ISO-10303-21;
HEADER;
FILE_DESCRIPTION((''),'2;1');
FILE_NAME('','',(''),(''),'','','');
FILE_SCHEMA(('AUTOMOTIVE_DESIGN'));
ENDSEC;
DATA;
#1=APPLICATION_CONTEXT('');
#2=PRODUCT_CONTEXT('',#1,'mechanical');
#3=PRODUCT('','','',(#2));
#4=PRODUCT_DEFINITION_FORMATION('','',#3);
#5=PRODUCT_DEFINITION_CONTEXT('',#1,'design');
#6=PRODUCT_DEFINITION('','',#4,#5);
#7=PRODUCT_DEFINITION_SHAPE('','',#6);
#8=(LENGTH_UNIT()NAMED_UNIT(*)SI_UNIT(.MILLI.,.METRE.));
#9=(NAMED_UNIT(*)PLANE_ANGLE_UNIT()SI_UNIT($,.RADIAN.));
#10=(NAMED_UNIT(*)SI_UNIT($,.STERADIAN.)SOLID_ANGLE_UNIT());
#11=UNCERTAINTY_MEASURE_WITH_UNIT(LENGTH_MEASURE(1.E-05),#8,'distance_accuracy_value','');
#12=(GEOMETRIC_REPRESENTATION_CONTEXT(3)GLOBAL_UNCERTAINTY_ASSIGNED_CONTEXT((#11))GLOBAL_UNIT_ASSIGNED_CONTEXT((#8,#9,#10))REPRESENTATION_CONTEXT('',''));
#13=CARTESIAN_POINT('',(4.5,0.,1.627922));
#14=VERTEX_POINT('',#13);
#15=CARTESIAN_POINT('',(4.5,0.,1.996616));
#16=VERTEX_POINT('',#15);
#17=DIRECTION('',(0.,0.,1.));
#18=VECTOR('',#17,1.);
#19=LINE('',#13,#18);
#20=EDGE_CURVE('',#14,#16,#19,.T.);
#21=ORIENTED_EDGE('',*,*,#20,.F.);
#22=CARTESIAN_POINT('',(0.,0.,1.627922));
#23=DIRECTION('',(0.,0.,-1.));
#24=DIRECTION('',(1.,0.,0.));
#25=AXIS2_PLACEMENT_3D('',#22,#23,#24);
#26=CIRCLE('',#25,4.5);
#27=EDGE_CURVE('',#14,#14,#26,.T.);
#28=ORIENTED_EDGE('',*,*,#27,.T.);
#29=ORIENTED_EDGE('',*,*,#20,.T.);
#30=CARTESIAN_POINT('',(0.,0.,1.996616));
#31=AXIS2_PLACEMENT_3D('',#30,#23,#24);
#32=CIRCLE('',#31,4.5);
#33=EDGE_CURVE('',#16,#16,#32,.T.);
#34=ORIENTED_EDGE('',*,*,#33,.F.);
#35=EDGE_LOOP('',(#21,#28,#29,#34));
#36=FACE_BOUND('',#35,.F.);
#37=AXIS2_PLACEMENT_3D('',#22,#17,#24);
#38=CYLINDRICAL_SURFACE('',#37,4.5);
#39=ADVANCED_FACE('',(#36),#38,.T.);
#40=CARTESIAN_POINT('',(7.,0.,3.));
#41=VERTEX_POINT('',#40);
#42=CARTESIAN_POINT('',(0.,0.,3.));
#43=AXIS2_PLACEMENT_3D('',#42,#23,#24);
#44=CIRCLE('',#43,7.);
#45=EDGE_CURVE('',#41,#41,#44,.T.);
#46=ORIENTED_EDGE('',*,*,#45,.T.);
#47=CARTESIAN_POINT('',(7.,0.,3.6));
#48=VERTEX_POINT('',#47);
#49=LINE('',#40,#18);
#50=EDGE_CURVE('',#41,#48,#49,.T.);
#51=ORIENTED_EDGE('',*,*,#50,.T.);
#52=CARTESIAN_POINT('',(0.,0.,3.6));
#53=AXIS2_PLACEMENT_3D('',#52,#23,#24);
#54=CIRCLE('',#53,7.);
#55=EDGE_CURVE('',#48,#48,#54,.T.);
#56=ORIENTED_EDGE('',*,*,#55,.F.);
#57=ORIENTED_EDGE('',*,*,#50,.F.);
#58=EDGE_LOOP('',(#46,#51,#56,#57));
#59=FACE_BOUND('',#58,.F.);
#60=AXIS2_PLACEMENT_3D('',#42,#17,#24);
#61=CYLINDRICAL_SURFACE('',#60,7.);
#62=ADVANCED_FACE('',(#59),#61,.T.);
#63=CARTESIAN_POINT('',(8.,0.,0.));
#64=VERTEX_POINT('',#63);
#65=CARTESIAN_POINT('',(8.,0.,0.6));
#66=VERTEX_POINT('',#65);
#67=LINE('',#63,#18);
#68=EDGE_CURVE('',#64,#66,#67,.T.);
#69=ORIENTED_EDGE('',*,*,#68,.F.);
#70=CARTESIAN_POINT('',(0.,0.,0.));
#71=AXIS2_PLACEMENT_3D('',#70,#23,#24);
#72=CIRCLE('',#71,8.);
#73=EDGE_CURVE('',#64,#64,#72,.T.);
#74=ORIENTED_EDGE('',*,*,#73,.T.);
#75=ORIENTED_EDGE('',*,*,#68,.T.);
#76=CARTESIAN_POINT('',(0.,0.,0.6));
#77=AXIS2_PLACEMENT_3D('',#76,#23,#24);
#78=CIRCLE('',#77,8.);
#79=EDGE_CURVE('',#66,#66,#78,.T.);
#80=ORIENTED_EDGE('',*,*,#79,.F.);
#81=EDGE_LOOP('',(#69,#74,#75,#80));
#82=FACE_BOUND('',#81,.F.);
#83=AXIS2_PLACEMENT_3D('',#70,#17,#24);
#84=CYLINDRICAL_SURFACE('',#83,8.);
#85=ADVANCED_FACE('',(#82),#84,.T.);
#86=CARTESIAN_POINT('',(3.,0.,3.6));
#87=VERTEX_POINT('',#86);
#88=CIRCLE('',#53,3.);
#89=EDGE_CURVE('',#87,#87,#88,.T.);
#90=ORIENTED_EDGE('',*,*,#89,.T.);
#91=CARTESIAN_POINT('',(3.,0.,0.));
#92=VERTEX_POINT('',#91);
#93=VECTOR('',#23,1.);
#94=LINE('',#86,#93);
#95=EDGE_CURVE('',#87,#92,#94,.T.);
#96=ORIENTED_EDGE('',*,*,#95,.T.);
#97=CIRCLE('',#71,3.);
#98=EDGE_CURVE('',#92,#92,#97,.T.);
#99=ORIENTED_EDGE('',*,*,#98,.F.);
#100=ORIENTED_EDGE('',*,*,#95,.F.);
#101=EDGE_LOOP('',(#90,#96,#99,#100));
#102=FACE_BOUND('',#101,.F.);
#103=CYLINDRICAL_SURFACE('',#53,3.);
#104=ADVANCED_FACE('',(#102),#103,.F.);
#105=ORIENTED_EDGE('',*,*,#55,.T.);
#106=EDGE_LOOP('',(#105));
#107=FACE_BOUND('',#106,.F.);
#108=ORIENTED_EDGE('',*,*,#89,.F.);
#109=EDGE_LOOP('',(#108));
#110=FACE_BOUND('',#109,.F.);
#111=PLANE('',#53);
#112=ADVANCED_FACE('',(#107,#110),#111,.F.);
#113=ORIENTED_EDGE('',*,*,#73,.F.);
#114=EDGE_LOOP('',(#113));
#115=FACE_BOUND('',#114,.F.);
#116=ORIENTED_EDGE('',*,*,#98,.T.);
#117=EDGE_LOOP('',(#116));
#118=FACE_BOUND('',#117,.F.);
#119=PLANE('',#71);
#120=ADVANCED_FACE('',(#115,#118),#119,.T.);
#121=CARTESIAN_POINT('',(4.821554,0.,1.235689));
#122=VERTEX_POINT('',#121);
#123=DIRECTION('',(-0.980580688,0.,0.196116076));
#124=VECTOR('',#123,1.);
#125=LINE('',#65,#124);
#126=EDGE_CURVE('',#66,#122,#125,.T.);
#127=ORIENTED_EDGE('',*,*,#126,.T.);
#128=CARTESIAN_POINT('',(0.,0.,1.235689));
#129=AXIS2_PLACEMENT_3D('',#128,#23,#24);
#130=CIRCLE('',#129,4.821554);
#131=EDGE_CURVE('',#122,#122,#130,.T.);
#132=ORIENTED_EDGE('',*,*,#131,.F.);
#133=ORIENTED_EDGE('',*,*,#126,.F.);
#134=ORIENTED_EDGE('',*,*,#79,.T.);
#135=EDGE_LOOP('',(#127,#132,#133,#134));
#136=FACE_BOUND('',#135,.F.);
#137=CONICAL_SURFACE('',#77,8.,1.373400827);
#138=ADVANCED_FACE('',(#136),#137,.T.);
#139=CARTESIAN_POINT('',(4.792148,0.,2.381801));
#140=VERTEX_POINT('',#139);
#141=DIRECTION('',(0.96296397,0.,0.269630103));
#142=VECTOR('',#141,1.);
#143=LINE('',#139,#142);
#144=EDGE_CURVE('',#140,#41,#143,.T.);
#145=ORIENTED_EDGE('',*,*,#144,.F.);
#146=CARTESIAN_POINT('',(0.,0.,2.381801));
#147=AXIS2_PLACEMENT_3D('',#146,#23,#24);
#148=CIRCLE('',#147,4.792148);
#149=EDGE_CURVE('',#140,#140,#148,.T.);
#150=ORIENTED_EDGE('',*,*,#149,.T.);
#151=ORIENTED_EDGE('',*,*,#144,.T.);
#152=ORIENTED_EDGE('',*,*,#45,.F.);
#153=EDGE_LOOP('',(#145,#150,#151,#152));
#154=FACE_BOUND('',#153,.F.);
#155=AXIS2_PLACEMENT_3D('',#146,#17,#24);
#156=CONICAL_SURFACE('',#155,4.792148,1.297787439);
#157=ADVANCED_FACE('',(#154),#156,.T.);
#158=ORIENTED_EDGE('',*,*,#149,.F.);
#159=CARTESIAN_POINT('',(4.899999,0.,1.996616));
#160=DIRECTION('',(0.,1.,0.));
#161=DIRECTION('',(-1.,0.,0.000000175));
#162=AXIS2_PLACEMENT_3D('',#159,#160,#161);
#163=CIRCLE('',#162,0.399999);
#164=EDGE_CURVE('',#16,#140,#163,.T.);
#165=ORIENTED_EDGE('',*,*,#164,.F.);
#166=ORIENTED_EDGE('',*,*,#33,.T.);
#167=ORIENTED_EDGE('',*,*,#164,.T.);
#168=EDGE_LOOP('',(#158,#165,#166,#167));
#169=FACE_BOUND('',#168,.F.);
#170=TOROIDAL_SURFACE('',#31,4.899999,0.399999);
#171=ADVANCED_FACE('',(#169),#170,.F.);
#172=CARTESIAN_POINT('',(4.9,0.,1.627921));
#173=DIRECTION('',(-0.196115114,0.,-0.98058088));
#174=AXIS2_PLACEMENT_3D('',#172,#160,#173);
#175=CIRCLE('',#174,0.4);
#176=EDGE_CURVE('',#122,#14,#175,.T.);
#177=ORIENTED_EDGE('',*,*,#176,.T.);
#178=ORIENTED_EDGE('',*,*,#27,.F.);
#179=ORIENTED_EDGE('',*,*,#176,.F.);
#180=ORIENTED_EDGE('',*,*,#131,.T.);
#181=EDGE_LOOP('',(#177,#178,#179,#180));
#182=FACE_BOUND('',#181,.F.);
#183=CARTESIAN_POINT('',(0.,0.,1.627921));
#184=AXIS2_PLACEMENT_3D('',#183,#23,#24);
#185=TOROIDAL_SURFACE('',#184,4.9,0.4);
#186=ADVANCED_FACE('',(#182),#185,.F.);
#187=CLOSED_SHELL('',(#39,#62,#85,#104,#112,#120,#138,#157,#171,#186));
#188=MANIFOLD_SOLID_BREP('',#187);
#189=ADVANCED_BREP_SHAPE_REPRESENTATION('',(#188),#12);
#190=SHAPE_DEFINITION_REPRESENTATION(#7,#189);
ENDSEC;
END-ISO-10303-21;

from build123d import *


with BuildPart() as f1:
    # F0 (on Front) → F1 (revolve)
    with BuildSketch(Plane.XZ):
        with BuildLine():
            Line((3, 3.6), (3, 0))
            Line((3, 0), (8, 0))
            Line((8, 0), (8, 0.6))
            Line((8, 0.6), (4.821554, 1.235689))
            ThreePointArc((4.821554, 1.235689), (4.590663, 1.374326), (4.5, 1.627922))
            Line((4.5, 1.627922), (4.5, 1.996616))
            ThreePointArc((4.5, 1.996616), (4.581299, 2.238338), (4.792148, 2.381801))
            Line((4.792148, 2.381801), (7, 3))
            Line((7, 3), (7, 3.6))
            Line((7, 3.6), (3, 3.6))
        make_face()
    revolve(axis=Axis((0, 0, 0.328301), (0, 0, -1)))


solid = f1.part
